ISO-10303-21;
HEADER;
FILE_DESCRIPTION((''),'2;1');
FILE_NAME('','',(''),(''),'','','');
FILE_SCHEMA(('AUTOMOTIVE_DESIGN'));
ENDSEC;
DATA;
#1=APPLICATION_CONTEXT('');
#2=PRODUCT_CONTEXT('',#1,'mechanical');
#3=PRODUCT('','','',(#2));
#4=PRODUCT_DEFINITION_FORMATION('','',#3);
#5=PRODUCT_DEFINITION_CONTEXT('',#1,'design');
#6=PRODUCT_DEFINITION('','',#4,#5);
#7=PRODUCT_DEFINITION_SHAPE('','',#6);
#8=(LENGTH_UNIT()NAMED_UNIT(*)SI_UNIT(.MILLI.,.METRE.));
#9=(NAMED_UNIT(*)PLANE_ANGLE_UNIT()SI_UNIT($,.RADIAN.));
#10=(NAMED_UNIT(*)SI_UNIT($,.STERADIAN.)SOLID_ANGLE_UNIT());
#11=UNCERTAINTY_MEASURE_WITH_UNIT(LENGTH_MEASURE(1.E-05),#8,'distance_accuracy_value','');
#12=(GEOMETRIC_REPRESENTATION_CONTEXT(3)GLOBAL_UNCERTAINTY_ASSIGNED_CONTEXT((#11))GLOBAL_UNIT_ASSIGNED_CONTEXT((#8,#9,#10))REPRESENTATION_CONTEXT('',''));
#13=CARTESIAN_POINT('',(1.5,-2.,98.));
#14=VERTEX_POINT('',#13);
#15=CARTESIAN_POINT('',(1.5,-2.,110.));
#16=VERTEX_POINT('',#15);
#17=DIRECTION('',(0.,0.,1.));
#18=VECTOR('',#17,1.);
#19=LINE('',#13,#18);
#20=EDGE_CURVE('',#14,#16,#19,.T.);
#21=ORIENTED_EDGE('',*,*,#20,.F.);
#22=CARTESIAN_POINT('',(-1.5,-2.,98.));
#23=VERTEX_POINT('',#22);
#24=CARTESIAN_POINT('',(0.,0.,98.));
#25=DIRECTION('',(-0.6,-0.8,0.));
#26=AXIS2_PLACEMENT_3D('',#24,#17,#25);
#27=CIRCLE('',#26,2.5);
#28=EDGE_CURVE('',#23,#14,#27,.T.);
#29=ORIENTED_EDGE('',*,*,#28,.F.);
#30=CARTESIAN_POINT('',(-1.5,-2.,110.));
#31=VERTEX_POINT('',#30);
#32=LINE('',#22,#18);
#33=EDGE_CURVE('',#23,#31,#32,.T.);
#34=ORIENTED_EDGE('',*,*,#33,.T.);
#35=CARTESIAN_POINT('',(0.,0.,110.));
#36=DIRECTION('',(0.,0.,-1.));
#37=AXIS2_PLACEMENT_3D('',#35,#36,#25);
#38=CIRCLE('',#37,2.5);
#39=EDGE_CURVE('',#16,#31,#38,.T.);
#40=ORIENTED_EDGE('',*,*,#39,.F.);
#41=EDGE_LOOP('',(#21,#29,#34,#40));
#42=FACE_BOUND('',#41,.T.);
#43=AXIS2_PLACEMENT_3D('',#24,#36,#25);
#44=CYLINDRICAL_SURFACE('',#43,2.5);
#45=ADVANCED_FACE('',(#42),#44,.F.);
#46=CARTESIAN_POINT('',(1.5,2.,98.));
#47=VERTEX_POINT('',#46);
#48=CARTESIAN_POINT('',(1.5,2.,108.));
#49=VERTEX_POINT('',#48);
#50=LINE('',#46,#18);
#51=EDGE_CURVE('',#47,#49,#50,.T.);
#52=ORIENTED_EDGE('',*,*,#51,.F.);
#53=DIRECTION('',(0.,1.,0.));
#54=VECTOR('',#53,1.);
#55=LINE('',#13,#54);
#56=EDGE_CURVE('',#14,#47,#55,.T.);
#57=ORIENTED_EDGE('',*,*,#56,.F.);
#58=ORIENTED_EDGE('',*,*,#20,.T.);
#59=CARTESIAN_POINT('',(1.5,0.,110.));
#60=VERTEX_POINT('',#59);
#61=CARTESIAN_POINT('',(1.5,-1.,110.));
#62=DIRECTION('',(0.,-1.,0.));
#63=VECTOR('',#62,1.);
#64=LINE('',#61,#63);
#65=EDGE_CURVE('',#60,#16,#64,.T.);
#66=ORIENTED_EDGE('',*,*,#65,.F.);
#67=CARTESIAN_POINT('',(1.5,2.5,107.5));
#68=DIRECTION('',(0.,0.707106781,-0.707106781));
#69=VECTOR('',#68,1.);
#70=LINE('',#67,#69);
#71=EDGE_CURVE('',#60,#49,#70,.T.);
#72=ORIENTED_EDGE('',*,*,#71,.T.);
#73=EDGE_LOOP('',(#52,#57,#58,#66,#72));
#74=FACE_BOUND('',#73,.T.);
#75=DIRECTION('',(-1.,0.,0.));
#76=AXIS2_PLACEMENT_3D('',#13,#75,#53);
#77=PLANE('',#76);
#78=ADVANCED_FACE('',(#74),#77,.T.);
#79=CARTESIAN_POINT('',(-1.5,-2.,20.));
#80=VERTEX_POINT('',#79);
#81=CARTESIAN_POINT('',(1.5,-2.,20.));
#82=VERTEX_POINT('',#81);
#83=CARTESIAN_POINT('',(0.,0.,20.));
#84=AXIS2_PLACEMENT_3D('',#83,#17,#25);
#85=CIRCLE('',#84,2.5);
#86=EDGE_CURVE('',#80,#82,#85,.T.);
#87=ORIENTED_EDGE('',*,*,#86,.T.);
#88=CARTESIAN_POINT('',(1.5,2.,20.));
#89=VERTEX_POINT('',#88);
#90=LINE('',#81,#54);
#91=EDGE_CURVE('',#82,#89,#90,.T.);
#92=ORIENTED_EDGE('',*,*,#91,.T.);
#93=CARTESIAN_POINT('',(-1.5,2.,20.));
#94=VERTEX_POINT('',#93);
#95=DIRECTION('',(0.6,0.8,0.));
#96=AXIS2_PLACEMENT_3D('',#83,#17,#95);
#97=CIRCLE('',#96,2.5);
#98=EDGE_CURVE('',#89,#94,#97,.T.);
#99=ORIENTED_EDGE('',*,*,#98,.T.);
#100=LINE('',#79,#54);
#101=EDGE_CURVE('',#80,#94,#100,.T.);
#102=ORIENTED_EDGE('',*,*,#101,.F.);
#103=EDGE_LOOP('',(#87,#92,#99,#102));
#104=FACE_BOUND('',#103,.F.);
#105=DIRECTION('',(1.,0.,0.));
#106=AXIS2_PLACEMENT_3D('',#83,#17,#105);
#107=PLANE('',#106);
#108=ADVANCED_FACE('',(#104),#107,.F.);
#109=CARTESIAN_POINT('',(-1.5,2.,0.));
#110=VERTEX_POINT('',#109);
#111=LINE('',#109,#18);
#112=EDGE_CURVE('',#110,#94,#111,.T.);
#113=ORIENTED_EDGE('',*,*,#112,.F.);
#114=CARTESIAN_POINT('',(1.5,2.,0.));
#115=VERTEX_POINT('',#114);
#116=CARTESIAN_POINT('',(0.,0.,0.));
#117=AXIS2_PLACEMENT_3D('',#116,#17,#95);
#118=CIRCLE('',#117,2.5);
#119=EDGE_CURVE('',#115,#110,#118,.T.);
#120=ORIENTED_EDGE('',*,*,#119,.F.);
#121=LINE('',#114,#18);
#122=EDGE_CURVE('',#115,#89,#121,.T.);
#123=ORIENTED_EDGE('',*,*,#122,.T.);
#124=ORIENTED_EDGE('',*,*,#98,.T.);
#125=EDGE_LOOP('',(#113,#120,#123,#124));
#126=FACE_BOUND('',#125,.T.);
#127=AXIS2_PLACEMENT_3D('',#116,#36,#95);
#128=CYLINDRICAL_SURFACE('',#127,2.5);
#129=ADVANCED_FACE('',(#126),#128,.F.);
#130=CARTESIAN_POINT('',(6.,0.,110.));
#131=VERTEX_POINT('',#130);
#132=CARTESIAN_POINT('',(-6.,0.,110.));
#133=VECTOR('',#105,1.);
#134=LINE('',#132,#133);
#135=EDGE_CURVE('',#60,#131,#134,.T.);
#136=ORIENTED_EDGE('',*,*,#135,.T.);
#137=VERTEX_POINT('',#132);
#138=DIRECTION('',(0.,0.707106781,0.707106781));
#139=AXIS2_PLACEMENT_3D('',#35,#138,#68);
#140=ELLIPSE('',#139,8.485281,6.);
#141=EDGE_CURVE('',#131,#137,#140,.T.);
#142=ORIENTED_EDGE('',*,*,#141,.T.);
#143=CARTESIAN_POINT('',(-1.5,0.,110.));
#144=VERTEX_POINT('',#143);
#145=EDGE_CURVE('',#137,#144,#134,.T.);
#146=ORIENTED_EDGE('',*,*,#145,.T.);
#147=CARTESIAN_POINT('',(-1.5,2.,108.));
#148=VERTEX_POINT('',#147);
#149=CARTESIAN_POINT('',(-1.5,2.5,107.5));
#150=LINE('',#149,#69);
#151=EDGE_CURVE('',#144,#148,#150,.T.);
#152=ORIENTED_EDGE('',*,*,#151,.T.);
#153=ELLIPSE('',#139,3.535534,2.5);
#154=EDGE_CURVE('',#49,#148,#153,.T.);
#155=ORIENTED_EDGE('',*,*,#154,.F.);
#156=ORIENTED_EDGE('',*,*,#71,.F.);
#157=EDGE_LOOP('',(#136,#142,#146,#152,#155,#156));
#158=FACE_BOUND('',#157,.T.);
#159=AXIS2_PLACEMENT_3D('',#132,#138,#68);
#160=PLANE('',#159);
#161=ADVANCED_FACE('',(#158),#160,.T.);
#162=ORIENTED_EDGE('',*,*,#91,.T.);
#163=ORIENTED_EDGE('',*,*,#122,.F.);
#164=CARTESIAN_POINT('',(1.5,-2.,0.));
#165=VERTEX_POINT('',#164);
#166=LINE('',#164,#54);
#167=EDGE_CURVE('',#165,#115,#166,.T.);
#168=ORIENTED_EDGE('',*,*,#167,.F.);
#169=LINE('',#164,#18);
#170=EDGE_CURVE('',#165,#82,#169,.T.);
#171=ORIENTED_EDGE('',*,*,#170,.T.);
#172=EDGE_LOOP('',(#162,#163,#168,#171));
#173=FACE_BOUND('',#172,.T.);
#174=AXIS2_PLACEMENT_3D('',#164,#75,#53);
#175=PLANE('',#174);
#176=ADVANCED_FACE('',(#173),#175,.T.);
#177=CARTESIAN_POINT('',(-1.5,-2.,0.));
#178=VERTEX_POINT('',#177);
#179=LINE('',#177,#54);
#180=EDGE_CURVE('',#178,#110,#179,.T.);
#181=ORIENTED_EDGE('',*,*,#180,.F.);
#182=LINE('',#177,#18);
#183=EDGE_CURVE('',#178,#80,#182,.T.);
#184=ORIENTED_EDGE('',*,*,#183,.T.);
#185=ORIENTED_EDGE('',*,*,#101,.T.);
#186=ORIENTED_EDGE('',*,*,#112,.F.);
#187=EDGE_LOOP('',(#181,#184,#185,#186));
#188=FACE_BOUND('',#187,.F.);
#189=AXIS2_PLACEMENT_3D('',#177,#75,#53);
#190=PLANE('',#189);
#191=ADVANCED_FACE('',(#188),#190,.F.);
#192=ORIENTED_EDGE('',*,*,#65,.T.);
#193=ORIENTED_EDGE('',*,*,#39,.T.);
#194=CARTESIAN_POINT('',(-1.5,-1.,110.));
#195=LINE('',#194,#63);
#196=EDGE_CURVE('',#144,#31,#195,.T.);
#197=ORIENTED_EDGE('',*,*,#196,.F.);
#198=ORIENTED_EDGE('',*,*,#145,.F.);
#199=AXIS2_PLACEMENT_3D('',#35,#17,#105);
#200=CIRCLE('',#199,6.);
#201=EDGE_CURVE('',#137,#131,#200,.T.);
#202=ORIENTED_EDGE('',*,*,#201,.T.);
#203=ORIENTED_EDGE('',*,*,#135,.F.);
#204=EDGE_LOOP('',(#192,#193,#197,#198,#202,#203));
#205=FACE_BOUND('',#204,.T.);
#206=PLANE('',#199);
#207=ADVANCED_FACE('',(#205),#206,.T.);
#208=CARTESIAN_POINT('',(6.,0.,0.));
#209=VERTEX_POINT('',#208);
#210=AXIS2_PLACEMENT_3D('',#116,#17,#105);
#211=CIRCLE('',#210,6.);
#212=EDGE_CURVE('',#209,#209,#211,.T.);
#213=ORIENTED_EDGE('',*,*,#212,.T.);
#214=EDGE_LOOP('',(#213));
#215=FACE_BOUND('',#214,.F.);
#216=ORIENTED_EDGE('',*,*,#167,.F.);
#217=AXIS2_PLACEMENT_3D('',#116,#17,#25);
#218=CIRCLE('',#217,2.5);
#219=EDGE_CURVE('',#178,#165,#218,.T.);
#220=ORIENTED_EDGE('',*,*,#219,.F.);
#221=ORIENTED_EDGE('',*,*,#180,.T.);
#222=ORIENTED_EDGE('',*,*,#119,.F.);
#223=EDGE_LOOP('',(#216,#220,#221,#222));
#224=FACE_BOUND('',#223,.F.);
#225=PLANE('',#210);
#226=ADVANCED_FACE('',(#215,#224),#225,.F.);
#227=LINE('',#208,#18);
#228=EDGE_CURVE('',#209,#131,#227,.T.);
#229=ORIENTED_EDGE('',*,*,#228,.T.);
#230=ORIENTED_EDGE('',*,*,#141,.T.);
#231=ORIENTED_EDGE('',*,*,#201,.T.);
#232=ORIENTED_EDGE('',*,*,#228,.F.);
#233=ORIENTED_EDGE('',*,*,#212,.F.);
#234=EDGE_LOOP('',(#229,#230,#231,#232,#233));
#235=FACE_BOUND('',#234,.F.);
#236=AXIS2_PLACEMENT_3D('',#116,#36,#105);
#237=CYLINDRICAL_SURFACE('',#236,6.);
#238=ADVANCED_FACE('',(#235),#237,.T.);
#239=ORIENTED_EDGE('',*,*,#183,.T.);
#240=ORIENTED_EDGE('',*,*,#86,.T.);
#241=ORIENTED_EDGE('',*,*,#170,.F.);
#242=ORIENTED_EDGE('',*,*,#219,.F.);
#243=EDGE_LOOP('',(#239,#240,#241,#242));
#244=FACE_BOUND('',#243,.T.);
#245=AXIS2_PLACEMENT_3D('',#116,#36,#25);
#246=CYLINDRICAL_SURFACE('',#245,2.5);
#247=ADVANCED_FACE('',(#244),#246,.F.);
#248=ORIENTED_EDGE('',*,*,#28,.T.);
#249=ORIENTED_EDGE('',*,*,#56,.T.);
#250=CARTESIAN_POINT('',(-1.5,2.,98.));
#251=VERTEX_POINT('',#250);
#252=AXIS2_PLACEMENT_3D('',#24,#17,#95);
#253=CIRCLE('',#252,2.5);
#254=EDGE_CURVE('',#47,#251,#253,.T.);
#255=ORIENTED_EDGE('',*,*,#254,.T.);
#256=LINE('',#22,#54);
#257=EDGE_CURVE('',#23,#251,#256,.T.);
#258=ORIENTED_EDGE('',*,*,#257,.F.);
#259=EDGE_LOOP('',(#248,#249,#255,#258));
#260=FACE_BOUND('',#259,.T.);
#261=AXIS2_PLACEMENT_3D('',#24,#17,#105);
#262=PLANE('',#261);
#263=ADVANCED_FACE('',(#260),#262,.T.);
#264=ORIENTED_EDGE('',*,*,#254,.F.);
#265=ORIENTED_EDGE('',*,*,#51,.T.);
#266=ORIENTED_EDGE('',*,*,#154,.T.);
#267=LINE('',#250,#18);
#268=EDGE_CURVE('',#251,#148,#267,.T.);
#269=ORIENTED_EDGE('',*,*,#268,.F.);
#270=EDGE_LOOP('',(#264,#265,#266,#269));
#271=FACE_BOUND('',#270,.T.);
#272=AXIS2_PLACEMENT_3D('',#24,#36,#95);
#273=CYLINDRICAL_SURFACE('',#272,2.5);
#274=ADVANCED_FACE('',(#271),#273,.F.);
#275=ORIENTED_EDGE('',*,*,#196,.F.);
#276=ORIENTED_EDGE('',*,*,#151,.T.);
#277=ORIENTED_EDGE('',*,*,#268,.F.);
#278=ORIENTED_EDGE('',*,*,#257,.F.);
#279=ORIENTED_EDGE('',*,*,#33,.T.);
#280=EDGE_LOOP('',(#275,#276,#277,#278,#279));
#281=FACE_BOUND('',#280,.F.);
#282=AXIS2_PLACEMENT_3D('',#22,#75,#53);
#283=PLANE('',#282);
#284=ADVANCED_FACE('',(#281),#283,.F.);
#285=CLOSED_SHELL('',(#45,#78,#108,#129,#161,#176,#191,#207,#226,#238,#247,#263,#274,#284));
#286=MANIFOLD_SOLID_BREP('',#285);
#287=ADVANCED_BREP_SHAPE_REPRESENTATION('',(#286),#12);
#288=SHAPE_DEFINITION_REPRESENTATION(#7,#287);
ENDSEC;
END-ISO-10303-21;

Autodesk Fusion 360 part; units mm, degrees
sketch "Skizze1" plane through (0, 0, 0) normal (0, 0, 1) x (1, 0, 0)
  point P0 (-5.2, 16.4)
sketch "Skizze2" plane through (0, 0, 0) normal (0, 0, 1) x (1, 0, 0)
  circle A0 centre (0, 0) radius 6
extrude "Extrusion2" add sketch "Skizze2" along normal blind 110
sketch "Skizze3" plane through (0, 0, 0) normal (0, 0, 1) x (1, 0, 0)
  line L0 (-1.5, -2) -> (-1.5, 2)
  line L1 (1.5, -2) -> (1.5, 2)
  arc A0 (-1.5, -2) -> (1.5, -2) centre (0, 0) ccw
  arc A1 (1.5, 2) -> (-1.5, 2) centre (0, 0) ccw
  dimension "d15" = 5
extrude "Extrusion3" cut sketch "Skizze3" along normal blind 20
pattern_linear "R-Anordnung1" count 2 spacing 98 along (0, 0, 1) of "Extrusion3"
ref_plane "Arbeitsebene1" through (-6, 0, 108.0306) normal (-1, 0, 0) x (0, 1, 0)
sketch "Skizze5" plane through (-6, 0, 0) normal (-1, 0, 0) x (0, -1, 0)
  line L0 (0, 110) -> (-6.178, 103.822)
  line L1 (-6.178, 103.822) -> (-6.178, 110)
  line L2 (-6.178, 110) -> (0, 110)
extrude "Extrusion4" cut sketch "Skizze5" against normal blind 100
